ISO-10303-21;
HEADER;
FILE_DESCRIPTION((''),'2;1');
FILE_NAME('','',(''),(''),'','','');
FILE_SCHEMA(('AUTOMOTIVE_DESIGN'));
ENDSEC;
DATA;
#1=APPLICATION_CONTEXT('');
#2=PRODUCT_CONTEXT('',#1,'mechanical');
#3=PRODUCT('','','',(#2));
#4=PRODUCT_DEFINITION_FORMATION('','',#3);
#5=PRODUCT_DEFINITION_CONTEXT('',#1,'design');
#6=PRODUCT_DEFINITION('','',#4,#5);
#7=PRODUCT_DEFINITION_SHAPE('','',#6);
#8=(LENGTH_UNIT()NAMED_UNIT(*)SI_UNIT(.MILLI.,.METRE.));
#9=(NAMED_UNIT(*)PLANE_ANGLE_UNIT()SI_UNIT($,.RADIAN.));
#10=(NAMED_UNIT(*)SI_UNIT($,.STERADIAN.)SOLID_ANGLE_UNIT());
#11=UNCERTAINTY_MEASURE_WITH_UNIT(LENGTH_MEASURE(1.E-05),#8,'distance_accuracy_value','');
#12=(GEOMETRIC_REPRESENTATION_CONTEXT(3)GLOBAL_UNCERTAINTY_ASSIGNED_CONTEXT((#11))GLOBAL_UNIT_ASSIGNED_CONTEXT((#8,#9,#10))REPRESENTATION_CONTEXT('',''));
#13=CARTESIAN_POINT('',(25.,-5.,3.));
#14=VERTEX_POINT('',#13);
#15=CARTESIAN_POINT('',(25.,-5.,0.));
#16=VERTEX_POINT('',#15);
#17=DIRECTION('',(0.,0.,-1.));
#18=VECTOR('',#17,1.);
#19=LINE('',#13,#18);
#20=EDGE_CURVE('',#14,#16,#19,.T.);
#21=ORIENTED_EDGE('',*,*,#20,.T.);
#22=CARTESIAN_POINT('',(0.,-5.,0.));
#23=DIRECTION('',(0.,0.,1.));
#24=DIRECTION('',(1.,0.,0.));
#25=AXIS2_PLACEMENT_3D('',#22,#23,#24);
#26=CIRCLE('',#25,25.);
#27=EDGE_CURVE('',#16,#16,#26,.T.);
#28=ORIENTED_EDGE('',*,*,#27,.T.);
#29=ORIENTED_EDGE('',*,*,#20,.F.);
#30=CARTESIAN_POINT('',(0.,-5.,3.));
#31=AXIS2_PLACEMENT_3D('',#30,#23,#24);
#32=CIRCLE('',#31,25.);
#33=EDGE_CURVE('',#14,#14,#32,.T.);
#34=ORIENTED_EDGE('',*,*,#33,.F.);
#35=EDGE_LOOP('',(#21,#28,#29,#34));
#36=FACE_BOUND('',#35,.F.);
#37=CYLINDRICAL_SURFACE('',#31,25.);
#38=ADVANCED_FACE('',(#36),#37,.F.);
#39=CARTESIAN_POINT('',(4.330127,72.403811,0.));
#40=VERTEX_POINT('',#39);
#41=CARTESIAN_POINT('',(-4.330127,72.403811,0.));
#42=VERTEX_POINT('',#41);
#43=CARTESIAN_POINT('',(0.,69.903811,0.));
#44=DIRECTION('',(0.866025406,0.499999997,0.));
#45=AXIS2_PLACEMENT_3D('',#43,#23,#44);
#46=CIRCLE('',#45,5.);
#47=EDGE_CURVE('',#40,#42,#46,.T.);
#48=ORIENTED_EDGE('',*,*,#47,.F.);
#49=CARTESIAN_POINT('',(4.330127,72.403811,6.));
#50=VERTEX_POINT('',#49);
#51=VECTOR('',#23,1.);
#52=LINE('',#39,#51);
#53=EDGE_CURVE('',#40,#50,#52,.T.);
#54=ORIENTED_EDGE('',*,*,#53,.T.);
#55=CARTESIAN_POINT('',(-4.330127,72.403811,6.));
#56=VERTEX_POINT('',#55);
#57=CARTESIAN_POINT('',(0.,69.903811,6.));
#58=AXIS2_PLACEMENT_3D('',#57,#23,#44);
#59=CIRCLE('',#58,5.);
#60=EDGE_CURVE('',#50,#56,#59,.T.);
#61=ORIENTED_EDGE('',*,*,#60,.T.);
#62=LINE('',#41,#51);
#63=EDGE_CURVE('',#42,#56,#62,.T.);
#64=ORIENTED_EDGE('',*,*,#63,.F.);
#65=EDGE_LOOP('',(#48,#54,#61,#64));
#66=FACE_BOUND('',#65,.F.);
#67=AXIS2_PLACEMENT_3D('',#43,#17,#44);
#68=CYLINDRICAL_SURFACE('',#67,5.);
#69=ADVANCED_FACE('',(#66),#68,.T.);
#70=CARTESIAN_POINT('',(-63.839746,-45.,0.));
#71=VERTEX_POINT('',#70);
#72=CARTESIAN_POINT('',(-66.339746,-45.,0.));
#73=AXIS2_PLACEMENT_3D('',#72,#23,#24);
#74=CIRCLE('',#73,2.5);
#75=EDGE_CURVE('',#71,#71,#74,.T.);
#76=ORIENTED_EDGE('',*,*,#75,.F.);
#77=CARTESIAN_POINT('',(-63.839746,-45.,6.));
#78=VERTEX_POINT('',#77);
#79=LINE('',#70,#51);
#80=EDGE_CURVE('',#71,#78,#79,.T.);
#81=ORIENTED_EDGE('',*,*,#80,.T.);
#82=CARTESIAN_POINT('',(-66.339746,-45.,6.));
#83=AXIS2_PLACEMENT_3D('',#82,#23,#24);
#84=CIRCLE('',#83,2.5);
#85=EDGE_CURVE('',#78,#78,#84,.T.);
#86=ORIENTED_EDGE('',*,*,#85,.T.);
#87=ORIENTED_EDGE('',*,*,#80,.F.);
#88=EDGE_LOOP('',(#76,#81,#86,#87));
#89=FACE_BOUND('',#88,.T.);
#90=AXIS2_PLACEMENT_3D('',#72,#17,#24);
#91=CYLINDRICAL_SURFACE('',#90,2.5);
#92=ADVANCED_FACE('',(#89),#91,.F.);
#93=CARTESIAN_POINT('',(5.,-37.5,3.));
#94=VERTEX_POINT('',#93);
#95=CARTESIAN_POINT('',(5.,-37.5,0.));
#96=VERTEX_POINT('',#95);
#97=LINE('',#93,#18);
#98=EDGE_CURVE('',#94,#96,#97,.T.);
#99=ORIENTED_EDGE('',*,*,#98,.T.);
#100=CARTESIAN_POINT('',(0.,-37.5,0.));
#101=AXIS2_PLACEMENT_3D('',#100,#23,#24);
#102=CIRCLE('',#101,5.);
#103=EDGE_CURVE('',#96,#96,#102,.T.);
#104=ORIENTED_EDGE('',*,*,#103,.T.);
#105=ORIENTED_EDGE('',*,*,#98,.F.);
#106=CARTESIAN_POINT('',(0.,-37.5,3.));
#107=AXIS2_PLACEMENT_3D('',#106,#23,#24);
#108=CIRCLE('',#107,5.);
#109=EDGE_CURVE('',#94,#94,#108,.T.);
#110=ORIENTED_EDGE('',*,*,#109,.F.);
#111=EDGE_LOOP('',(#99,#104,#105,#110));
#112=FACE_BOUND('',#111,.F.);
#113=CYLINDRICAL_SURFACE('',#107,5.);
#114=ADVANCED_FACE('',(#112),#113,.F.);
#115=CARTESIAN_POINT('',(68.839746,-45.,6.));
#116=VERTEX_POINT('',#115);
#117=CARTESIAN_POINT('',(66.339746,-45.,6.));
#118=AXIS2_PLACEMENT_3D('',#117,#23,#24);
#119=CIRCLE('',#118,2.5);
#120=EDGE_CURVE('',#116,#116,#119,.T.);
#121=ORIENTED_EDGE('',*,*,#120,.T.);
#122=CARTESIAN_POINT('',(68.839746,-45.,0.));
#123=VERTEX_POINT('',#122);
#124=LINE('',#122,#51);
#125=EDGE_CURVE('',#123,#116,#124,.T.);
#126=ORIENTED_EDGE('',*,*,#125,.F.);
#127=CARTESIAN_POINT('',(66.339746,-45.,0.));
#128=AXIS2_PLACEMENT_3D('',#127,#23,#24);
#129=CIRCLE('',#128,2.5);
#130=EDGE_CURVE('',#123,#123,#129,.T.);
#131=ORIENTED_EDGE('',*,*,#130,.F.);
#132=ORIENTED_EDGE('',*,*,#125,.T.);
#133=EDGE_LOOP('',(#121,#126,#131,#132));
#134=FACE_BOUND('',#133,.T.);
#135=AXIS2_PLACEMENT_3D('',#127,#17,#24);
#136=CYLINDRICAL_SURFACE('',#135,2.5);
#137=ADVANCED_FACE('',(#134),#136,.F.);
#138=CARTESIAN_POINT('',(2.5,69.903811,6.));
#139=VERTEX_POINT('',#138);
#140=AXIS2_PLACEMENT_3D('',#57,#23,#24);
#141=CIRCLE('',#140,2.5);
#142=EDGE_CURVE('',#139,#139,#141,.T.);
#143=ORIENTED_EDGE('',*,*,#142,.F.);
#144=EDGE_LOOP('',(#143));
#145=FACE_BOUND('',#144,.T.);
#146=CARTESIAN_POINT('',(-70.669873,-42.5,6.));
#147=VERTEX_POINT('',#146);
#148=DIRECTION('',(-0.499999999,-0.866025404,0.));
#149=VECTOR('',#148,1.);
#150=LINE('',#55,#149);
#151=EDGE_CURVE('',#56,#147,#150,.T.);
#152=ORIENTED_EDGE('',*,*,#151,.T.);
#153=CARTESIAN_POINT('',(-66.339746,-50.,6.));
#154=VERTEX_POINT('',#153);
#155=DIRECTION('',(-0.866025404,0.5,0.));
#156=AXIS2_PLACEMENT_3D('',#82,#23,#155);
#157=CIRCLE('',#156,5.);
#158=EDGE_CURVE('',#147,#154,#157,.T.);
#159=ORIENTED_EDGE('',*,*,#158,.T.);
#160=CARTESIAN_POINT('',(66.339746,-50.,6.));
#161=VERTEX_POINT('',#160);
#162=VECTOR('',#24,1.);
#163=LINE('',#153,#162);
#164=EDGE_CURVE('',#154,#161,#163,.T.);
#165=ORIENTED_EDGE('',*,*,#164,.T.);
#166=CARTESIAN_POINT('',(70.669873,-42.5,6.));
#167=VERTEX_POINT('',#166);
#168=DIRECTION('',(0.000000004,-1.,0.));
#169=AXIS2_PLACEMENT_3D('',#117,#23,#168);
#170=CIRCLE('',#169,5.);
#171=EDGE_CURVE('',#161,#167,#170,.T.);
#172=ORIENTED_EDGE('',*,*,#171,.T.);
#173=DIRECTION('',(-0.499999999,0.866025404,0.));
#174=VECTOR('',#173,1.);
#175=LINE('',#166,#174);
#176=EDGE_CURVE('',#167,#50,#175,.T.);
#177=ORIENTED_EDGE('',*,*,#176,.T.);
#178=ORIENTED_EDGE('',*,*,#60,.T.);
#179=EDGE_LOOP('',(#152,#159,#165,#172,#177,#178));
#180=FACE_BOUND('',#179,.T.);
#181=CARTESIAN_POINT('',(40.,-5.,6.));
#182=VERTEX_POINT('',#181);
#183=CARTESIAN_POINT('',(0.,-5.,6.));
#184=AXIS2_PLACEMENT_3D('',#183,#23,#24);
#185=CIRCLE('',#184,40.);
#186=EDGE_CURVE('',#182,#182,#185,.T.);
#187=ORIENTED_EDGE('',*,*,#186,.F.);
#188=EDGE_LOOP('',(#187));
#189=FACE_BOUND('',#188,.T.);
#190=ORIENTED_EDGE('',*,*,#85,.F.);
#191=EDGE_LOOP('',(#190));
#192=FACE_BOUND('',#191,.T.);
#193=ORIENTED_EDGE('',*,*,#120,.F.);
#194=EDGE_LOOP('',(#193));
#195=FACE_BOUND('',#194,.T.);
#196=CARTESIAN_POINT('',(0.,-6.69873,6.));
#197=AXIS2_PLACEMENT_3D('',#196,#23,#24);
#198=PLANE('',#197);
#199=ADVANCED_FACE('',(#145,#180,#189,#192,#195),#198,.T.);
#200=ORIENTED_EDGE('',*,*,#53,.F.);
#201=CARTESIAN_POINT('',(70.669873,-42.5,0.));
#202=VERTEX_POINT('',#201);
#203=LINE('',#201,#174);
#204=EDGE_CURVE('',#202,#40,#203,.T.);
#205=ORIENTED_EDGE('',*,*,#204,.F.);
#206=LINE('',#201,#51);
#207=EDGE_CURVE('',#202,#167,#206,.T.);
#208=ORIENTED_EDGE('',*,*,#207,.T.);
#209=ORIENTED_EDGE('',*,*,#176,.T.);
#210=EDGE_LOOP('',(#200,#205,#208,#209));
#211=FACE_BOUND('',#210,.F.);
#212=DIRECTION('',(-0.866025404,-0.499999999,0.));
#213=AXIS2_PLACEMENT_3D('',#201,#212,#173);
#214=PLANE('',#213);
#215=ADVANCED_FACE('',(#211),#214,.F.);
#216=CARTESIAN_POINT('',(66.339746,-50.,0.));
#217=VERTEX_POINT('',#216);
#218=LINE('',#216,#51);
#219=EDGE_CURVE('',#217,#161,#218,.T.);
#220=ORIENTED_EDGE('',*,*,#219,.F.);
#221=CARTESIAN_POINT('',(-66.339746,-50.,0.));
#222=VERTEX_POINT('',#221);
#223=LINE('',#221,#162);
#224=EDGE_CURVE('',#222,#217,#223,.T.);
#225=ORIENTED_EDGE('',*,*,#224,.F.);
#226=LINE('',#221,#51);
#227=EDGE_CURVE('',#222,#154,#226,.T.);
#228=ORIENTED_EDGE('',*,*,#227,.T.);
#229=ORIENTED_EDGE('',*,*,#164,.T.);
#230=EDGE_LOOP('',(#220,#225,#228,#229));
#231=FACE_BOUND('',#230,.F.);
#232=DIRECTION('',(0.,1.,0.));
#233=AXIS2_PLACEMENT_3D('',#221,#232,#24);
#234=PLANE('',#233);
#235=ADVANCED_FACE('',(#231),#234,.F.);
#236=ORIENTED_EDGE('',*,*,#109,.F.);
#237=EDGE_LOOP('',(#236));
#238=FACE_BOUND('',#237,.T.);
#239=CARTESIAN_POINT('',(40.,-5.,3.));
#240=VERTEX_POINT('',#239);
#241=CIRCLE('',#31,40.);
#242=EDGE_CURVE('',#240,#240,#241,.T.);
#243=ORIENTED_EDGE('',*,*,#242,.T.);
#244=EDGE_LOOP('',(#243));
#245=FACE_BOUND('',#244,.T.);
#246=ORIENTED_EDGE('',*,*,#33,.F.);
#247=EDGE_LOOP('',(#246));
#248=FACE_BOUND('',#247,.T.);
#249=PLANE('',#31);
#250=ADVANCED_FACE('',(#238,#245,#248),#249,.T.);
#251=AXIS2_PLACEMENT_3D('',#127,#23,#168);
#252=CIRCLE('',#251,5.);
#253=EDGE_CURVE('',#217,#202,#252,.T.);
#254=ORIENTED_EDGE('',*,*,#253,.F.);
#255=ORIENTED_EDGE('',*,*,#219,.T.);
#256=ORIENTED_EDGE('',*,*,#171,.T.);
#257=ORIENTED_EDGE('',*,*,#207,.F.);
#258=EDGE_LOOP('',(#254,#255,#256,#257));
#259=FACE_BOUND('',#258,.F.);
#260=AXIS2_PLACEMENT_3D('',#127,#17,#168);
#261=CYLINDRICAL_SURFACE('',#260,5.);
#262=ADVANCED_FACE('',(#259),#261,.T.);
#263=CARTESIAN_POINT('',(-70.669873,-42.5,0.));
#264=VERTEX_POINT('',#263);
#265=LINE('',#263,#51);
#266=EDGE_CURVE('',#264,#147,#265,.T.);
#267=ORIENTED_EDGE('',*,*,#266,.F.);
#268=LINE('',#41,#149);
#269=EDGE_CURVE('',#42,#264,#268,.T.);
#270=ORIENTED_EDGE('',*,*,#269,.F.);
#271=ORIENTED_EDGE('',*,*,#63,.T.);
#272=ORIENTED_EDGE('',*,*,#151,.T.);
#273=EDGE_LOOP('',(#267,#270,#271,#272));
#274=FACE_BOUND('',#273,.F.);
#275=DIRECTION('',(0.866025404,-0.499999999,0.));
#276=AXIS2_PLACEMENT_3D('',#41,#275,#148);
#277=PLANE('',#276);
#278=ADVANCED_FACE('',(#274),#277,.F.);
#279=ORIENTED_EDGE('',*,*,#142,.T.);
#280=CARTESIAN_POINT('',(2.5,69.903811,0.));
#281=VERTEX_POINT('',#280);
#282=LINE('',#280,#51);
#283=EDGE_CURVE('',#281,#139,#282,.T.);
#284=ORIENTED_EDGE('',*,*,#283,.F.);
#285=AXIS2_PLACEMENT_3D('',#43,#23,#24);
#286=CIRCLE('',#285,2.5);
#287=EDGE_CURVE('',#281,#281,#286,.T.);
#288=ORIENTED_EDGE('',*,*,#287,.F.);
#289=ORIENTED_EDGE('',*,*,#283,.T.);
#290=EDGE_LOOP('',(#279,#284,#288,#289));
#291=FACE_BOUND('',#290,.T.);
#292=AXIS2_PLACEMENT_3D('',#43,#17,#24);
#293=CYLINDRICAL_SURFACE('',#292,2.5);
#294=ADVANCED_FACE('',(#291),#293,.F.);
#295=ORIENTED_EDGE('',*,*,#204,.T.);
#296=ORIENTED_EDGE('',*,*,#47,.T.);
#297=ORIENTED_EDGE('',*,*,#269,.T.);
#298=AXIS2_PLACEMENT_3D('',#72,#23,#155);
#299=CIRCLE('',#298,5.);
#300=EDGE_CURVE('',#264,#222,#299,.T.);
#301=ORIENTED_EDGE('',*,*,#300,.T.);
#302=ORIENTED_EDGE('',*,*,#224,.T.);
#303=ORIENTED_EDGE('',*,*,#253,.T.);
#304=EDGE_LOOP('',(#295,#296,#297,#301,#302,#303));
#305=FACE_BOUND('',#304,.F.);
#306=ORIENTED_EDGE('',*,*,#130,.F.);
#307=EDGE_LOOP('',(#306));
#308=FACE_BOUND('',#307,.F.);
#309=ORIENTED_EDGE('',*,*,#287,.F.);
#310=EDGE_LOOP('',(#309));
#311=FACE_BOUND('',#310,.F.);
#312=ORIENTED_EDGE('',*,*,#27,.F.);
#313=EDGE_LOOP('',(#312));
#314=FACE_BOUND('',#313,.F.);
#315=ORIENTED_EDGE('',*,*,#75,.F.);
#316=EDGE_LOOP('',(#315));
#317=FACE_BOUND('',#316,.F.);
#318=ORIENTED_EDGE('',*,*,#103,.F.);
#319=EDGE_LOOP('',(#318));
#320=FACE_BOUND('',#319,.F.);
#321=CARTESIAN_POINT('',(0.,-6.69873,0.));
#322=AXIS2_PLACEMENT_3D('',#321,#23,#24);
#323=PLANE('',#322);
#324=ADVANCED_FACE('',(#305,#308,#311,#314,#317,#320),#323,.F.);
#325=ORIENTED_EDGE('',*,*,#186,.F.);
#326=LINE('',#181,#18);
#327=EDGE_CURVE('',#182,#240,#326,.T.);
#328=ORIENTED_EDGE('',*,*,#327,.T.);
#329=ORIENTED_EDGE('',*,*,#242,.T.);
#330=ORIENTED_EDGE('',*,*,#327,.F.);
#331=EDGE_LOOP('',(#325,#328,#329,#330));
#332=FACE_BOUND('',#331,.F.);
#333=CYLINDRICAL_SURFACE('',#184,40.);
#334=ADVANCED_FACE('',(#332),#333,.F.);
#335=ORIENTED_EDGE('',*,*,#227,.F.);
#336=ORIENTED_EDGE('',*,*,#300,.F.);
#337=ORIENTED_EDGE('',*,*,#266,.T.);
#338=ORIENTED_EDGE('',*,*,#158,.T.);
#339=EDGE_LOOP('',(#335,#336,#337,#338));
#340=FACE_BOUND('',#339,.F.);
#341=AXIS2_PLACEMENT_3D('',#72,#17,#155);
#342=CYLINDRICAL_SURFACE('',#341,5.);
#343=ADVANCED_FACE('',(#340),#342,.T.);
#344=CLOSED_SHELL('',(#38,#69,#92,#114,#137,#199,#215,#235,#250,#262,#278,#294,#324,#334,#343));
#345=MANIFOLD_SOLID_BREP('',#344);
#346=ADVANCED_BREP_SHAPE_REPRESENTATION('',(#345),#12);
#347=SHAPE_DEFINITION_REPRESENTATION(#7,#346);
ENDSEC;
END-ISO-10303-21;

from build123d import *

# Parameters (mm, degrees)
F0_R     = 2.5
F1_DEPTH = 6
F2_R     = 40
F3_DEPTH = 3
F4_R     = 25
F5_DEPTH = 25
F6_R     = 5
F7_DEPTH = 25


with BuildPart() as f1:
    # F0 (on Top) → F1 (new body)
    with BuildSketch(Plane.XY):
        with BuildLine():
            ThreePointArc((4.330127, 72.403811), (0, 74.903811), (-4.330127, 72.403811))
            Line((-4.330127, 72.403811), (-70.669873, -42.5))
            ThreePointArc((-70.669873, -42.5), (-70.669873, -47.5), (-66.339746, -50))
            Line((-66.339746, -50), (66.339746, -50))
            ThreePointArc((66.339746, -50), (70.669873, -47.5), (70.669873, -42.5))
            Line((70.669873, -42.5), (4.330127, 72.403811))
        make_face()
        with Locations((-66.339746, -45)):
            Circle(F0_R, mode=Mode.SUBTRACT)
        with Locations((66.339746, -45)):
            Circle(F0_R, mode=Mode.SUBTRACT)
        with Locations((0, 69.903811)):
            Circle(F0_R, mode=Mode.SUBTRACT)
    extrude(amount=F1_DEPTH)

    # F2 (on face) → F3 (cut)
    with BuildSketch(Plane.XY.offset(6)):
        with Locations((0, -5)):
            Circle(F2_R)
    extrude(amount=-F3_DEPTH, mode=Mode.SUBTRACT)

    # F4 (on face) → F5 (cut)
    with BuildSketch(Plane.XY.offset(3)):
        with Locations((0, -5)):
            Circle(F4_R)
    extrude(amount=-F5_DEPTH, mode=Mode.SUBTRACT)

    # F6 (on face) → F7 (cut)
    with BuildSketch(Plane.XY.offset(3)):
        with Locations((0, -37.5)):
            Circle(F6_R)
    extrude(amount=-F7_DEPTH, mode=Mode.SUBTRACT)


solid = f1.part
